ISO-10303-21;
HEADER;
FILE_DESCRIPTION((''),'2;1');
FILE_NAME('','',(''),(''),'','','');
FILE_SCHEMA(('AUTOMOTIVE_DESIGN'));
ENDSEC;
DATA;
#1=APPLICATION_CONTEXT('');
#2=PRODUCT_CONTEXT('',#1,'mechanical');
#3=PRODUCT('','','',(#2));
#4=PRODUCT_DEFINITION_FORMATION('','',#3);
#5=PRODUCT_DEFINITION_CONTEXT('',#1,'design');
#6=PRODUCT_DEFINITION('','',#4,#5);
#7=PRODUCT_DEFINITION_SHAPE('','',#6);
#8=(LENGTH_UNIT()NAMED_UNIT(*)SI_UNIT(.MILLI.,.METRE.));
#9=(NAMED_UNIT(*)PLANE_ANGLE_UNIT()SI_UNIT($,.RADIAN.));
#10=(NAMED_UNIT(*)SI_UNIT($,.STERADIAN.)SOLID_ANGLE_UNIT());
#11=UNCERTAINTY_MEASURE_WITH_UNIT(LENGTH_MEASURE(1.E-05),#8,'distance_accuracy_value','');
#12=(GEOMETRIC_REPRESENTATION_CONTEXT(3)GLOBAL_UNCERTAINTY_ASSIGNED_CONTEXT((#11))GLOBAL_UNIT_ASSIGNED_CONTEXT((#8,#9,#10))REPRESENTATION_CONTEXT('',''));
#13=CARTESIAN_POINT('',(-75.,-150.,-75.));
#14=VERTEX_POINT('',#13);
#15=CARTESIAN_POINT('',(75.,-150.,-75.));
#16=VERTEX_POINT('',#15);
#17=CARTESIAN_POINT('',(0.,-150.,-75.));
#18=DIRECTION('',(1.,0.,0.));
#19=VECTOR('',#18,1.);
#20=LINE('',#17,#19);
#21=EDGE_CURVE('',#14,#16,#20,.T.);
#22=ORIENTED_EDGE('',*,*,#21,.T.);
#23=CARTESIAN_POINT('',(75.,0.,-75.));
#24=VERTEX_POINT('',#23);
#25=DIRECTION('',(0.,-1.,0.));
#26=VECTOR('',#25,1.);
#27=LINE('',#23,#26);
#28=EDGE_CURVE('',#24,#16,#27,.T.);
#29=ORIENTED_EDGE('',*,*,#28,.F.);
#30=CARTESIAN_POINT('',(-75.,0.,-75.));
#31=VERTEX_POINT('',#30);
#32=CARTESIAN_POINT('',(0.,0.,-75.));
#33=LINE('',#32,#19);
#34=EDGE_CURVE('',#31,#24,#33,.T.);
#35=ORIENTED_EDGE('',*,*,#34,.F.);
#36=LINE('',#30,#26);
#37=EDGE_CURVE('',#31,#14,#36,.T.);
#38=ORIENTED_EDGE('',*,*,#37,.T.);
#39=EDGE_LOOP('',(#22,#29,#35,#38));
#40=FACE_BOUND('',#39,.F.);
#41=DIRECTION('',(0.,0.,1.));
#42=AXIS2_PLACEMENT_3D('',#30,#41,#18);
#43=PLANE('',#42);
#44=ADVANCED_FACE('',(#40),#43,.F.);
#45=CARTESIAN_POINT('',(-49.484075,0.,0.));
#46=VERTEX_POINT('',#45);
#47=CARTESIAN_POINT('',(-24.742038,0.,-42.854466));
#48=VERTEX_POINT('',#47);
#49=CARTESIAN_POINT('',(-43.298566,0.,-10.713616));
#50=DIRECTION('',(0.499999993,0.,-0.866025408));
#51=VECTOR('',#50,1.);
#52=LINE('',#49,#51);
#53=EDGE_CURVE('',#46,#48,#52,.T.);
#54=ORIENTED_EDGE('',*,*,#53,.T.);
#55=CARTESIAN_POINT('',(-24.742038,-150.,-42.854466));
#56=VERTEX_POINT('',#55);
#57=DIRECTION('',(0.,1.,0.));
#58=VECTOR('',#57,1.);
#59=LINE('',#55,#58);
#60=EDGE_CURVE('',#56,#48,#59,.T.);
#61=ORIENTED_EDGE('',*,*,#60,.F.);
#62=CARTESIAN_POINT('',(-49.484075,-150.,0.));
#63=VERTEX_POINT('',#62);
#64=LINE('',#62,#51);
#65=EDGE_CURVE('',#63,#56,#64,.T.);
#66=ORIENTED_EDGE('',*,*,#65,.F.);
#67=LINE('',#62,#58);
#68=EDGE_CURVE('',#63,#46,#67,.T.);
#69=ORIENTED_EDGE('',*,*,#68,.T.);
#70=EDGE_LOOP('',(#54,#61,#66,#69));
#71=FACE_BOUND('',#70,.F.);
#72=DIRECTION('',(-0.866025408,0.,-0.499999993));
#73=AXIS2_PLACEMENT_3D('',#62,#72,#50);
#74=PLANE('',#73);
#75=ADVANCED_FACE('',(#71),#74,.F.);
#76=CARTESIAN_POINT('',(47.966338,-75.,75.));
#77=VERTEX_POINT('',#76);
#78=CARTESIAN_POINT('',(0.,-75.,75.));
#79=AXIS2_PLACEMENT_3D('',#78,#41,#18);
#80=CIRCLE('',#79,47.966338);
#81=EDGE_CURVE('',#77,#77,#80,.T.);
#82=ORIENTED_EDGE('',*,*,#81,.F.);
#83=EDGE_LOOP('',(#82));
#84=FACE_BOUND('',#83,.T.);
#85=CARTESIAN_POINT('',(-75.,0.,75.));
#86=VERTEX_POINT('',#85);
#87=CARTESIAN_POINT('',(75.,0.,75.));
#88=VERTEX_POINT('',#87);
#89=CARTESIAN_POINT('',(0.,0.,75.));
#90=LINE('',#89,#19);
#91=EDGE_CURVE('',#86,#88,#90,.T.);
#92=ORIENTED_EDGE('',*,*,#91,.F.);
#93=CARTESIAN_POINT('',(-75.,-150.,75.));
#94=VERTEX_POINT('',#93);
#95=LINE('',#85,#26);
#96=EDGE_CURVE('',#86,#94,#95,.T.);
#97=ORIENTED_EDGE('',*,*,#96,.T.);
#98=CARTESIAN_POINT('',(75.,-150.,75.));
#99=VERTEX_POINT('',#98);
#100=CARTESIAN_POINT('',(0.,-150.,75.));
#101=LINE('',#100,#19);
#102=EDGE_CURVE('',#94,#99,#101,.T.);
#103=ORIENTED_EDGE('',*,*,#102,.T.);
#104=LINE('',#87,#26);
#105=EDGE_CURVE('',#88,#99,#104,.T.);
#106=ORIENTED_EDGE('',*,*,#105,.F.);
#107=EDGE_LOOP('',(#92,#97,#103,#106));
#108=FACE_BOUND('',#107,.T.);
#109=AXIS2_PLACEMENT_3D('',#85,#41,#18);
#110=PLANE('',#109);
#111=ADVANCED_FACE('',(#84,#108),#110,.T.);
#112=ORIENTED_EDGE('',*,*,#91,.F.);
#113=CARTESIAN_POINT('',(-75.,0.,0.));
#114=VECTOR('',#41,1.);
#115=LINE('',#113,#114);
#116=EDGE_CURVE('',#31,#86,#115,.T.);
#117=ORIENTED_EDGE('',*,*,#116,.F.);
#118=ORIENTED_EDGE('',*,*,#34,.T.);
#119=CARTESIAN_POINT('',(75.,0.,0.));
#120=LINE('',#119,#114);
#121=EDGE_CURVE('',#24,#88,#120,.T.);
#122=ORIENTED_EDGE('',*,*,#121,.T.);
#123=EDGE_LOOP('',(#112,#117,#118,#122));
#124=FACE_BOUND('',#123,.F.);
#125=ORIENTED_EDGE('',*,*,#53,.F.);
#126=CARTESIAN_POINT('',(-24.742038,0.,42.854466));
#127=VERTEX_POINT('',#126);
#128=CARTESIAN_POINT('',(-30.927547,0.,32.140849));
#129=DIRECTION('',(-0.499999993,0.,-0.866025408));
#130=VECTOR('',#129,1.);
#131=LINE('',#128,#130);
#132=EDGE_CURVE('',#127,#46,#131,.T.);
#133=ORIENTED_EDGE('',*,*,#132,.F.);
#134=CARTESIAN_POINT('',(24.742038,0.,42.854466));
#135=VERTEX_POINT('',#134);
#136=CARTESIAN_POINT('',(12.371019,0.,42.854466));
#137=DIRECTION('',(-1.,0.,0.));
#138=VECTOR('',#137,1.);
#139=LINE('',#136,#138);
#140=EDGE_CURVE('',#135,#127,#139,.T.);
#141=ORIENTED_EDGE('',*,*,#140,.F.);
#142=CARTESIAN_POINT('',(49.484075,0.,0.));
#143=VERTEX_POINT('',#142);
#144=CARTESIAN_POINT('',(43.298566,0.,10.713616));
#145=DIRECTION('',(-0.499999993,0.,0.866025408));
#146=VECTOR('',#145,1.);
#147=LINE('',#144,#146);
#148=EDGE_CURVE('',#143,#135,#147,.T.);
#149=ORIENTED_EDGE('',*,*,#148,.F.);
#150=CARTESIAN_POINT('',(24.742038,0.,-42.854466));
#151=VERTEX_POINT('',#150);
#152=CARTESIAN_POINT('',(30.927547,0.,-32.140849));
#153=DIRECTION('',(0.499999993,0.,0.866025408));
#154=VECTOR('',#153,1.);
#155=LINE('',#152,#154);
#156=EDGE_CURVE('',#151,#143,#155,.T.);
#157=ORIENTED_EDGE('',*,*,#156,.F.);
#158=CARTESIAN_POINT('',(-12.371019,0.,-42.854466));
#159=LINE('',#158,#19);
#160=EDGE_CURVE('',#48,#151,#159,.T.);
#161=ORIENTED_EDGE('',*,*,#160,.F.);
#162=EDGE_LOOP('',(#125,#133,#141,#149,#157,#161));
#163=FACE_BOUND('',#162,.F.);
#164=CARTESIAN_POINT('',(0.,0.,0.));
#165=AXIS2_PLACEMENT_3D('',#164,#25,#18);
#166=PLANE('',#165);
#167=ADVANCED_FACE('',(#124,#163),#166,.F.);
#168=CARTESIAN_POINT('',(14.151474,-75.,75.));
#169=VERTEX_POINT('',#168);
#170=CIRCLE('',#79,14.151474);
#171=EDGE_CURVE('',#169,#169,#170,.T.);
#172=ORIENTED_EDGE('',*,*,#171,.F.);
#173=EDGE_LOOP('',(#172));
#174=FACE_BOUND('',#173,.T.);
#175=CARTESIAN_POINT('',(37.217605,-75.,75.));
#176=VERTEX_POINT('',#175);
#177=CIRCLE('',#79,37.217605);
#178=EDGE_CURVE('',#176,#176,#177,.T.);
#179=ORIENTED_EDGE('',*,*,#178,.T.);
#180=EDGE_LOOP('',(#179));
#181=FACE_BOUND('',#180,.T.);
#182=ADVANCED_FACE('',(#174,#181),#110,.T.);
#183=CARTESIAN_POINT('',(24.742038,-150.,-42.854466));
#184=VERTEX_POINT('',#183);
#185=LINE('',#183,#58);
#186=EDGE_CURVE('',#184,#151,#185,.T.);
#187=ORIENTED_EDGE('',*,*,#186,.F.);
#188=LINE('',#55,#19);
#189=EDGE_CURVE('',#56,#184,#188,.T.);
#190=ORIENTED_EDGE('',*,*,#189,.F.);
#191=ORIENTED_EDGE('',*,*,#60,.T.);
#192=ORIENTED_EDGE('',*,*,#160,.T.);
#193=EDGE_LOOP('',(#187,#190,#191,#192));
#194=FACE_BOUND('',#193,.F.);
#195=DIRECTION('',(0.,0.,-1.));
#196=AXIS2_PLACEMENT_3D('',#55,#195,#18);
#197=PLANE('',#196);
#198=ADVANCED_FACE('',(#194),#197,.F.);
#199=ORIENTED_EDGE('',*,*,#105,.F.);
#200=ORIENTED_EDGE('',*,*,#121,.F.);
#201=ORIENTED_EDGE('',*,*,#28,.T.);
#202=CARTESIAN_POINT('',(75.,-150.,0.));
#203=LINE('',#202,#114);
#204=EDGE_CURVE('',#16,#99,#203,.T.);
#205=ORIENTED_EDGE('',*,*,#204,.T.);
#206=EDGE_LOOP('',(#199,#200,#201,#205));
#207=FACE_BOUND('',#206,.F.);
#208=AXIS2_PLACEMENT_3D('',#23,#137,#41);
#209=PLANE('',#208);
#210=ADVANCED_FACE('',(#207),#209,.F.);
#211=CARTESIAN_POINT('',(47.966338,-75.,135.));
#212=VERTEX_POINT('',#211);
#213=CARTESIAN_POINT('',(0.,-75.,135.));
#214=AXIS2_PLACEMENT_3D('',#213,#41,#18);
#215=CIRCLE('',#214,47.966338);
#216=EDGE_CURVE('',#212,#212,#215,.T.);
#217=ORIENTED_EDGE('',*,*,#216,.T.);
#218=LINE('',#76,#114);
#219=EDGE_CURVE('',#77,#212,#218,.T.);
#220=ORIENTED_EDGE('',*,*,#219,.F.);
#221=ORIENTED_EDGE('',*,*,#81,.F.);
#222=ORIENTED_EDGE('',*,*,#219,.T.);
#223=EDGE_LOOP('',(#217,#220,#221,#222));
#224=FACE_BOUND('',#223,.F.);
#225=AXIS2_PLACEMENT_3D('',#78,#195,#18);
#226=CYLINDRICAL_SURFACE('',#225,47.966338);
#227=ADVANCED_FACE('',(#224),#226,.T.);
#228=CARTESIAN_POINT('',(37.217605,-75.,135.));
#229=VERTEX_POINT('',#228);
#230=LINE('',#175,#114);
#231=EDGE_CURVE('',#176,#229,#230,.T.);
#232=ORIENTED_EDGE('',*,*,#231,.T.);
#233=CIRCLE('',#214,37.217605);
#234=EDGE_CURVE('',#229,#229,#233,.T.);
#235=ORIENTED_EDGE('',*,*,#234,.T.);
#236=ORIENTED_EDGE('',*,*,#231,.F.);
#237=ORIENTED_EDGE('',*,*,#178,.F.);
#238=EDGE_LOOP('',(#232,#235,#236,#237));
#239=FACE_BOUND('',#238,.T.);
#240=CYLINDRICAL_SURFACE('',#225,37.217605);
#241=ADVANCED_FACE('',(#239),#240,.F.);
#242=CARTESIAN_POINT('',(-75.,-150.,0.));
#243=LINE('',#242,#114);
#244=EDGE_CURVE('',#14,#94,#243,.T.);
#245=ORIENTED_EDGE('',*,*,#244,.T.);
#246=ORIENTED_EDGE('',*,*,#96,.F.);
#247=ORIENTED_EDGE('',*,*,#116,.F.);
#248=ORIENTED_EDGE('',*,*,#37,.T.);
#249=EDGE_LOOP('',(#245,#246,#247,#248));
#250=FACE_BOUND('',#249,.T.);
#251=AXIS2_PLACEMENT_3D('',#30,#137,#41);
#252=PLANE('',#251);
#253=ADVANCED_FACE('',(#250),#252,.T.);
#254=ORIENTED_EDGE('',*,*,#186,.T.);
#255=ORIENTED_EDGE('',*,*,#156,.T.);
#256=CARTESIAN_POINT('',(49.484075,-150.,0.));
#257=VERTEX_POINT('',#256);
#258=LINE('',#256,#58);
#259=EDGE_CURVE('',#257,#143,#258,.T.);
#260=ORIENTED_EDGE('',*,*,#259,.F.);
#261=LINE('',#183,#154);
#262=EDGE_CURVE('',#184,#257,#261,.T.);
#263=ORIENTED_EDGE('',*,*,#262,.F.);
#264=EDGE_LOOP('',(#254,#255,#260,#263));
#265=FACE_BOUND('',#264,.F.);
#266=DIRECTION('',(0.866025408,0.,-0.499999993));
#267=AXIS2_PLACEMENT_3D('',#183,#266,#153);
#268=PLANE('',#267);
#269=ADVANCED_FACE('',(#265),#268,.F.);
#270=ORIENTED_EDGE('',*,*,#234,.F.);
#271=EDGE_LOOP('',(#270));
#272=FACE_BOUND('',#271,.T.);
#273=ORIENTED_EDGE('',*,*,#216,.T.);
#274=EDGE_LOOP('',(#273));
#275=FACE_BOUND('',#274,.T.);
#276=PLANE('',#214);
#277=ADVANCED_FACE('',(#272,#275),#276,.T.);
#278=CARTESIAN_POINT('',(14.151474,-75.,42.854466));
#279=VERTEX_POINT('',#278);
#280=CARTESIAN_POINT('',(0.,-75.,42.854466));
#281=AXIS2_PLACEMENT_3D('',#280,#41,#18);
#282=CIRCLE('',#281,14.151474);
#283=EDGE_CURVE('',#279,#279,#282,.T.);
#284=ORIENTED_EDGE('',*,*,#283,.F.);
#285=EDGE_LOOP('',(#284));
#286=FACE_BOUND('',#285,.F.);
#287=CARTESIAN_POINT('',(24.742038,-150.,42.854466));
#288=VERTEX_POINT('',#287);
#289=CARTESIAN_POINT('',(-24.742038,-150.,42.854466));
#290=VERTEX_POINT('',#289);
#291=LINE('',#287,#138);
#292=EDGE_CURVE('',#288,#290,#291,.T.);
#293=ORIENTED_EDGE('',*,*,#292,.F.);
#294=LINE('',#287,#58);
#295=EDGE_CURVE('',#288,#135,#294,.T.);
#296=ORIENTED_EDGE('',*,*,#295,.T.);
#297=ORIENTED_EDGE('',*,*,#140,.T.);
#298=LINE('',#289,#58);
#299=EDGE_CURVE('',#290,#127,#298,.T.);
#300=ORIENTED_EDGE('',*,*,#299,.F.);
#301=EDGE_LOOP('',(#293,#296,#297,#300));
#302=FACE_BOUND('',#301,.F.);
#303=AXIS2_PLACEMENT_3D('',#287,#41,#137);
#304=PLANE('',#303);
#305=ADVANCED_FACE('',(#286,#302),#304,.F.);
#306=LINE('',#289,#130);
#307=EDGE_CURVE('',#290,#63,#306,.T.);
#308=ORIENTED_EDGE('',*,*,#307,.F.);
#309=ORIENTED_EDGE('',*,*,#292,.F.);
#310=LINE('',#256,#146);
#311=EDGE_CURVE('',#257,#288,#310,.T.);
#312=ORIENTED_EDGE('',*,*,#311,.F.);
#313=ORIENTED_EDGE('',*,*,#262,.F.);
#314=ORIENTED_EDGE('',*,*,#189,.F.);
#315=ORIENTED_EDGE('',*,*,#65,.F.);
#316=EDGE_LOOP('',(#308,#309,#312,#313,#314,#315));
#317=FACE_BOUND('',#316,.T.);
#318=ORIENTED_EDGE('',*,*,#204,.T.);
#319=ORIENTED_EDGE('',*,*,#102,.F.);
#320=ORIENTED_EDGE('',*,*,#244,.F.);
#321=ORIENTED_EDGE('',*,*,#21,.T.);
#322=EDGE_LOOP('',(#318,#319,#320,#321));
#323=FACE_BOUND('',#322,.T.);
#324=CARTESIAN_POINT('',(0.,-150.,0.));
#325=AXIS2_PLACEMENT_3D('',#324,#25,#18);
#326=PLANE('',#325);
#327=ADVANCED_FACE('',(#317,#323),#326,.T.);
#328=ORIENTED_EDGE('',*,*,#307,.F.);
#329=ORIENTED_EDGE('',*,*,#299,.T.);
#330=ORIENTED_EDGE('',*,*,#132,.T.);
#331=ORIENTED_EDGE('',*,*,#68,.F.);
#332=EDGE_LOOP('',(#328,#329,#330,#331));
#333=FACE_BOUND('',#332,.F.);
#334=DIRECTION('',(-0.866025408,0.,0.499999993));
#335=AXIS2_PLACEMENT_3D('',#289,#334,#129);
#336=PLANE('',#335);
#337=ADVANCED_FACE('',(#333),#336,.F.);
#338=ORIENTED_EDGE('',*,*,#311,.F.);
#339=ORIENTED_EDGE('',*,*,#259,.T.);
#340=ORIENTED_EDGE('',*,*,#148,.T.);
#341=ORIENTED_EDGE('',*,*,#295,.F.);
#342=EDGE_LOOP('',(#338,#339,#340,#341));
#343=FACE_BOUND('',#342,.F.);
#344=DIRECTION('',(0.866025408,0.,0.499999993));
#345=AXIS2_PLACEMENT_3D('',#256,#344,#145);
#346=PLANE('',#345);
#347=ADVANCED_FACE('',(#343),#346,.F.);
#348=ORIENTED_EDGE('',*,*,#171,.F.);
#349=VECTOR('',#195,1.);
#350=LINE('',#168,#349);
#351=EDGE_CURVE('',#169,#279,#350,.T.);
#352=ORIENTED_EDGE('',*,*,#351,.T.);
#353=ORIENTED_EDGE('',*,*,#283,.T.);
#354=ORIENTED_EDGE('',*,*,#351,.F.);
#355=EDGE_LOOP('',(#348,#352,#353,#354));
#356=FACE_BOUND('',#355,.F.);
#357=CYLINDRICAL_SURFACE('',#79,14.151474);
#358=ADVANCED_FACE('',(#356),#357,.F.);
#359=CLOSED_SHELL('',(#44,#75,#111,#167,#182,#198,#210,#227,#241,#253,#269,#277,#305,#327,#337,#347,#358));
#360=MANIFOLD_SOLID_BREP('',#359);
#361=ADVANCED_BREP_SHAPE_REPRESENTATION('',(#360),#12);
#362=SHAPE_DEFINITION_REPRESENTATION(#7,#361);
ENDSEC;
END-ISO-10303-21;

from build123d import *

# Parameters (mm, degrees)
F0_W     = 150
F0_H     = 150
F1_DEPTH = 150
F2_R     = 47.966338
F2_R_2   = 37.217605
F3_DEPTH = 60
F5_DEPTH = 150.001
F6_R     = 14.151474
F7_DEPTH = 32.145534


with BuildPart() as f1:
    # F0 (on Front) → F1 (new body)
    with BuildSketch(Plane.XZ):
        Rectangle(F0_W, F0_H)
    extrude(amount=F1_DEPTH)

    # F2 (on face) → F3 (join)
    with BuildSketch(Plane.XY.offset(75)):
        with Locations((0, -75)):
            Circle(F2_R)
        with Locations((0, -75)):
            Circle(F2_R_2, mode=Mode.SUBTRACT)
    extrude(amount=F3_DEPTH)

    # F4 (on face) → F5 (cut, through all)
    with BuildSketch(Plane.XZ.offset(150)):
        Polygon((49.484075, 0), (24.742038, 42.854466), (-24.742038, 42.854466), (-49.484075, 0), (-24.742038, -42.854466), (24.742038, -42.854466), align=None)
    extrude(amount=-F5_DEPTH, mode=Mode.SUBTRACT)

    # F6 (on face) → F7 (cut, through all)
    with BuildSketch(Plane.XY.offset(75)):
        with Locations((0, -75)):
            Circle(F6_R)
    extrude(amount=-F7_DEPTH, mode=Mode.SUBTRACT)


solid = f1.part
